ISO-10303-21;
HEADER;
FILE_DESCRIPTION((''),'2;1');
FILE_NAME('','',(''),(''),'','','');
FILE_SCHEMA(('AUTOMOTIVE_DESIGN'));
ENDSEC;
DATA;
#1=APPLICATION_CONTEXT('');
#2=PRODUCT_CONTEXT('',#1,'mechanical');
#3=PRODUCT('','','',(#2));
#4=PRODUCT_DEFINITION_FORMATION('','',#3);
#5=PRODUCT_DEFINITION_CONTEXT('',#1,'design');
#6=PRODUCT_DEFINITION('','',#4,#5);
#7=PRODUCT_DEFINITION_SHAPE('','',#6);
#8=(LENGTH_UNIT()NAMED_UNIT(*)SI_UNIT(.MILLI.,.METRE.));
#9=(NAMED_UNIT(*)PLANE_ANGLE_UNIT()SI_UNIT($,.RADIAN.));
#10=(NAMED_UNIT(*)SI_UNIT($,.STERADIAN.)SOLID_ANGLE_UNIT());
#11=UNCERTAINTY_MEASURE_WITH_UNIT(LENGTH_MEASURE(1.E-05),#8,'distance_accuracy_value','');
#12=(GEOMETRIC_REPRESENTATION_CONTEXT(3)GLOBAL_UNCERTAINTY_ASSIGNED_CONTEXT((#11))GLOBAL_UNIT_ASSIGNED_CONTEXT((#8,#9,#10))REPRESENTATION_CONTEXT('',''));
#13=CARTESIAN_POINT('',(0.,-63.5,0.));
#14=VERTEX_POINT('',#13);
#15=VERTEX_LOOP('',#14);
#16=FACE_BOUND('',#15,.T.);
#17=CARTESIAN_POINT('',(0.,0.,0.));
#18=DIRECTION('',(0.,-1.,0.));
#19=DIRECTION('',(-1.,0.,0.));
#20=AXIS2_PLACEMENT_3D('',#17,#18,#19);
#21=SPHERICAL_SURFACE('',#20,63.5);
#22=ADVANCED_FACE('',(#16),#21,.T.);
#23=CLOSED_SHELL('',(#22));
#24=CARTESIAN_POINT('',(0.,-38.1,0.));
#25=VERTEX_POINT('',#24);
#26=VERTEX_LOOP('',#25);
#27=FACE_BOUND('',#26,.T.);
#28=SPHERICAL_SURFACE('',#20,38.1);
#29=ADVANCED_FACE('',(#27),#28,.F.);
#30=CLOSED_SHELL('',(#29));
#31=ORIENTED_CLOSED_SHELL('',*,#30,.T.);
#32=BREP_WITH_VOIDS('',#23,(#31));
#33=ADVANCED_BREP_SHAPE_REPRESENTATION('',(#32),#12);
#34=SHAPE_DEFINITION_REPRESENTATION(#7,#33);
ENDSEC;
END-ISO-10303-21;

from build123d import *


with BuildPart() as part:
    # Sketch1 → Revolve-Thin1 (revolve)
    with BuildSketch(Plane.XY):
        with BuildLine():
            ThreePointArc((0, -38.1), (38.1, 0), (0, 38.1))
            Line((0, 38.1), (0, 63.5))
            ThreePointArc((0, 63.5), (63.5, 0), (0, -63.5))
            Line((0, -63.5), (0, -38.1))
        make_face()
    revolve(axis=Axis((0, -38.1, 0), (0, 1, 0)))


solid = part.part
